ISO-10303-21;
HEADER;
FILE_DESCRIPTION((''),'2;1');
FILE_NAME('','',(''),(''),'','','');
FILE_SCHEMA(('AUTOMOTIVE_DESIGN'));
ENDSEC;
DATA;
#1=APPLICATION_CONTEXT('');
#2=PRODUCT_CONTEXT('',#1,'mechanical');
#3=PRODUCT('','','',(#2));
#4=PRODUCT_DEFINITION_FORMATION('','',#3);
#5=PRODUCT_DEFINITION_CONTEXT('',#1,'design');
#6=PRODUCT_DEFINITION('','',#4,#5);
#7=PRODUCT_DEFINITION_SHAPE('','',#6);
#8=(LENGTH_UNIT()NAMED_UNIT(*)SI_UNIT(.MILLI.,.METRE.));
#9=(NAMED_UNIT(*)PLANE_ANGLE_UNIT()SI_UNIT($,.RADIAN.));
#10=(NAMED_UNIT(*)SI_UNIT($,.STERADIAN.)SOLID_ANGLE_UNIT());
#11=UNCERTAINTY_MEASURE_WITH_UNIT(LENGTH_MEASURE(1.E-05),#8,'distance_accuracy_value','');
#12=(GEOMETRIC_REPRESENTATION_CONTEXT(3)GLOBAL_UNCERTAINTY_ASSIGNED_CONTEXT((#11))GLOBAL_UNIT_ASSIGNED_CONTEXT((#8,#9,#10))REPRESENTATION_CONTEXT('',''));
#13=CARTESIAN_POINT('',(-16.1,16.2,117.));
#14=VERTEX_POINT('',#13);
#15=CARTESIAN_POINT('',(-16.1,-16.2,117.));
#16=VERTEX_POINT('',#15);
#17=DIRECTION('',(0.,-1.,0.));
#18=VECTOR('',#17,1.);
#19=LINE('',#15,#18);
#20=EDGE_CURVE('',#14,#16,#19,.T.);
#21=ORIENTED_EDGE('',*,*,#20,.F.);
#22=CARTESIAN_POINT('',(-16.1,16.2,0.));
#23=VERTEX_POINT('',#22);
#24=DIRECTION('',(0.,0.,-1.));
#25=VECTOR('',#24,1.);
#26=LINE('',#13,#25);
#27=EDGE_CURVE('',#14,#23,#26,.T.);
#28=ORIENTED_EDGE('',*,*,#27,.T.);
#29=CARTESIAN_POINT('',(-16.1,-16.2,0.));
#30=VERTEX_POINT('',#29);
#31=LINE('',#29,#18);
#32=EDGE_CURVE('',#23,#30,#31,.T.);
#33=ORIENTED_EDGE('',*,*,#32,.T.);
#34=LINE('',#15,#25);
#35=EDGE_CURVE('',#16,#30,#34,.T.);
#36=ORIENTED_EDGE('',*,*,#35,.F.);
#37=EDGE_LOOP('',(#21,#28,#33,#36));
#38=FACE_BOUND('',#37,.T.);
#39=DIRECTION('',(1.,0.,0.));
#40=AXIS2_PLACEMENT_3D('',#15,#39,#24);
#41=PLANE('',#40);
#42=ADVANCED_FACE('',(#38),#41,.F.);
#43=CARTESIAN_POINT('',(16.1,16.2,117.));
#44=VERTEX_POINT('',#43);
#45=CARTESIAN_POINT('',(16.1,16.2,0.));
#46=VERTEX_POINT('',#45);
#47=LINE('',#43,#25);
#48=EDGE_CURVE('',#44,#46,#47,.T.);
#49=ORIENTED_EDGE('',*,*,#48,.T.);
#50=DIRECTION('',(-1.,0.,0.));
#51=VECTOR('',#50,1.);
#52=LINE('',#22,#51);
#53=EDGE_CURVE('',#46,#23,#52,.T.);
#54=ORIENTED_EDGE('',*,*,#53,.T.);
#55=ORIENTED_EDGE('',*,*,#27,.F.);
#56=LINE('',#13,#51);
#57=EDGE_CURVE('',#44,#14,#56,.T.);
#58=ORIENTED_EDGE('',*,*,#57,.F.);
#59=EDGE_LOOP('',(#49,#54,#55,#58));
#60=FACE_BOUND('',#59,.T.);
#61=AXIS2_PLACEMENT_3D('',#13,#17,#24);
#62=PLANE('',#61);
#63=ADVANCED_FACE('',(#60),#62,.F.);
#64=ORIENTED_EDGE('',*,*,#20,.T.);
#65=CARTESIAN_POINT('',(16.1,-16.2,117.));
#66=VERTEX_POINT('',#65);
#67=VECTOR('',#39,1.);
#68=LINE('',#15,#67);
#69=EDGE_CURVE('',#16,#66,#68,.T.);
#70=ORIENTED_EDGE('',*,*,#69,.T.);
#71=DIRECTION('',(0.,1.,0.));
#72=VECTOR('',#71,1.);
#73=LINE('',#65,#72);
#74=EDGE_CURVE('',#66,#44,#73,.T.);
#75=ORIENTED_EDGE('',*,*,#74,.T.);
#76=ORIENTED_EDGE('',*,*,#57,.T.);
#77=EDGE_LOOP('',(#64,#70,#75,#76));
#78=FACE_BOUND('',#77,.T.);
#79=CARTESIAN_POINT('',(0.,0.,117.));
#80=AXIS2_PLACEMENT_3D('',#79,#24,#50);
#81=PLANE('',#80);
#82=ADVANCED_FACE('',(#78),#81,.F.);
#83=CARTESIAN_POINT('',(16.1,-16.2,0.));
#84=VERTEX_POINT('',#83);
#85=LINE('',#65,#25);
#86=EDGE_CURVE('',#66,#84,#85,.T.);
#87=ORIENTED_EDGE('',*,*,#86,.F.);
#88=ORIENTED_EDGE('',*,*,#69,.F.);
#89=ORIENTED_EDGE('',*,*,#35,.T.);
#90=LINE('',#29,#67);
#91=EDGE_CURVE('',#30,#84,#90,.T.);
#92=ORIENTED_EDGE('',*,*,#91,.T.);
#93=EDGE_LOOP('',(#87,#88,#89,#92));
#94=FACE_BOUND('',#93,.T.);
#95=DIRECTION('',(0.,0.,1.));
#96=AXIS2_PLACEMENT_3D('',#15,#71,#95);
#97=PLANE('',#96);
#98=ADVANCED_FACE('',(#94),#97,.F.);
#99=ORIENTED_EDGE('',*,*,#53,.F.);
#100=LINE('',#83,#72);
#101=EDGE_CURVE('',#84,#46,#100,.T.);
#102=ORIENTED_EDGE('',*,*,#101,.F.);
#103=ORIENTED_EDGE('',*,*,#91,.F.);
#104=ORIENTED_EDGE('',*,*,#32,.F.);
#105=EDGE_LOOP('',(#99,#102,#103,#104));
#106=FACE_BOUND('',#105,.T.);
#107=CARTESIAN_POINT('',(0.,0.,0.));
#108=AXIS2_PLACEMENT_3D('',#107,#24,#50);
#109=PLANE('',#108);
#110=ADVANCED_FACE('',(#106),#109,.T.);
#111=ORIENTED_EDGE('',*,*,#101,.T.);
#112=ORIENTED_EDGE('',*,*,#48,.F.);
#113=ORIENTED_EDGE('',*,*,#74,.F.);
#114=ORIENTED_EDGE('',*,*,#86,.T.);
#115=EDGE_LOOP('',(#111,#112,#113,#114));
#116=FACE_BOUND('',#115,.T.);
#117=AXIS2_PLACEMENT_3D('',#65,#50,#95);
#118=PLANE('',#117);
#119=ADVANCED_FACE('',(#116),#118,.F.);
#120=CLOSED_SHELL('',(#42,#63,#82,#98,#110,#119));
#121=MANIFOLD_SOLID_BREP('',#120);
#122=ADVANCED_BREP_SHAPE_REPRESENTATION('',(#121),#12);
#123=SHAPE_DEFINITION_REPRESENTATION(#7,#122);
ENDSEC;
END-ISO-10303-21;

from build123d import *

# Parameters (mm, degrees)
SKETCH2_W           = 32.2
SKETCH2_H           = 32.4
BOSS_EXTRUDE1_DEPTH = 117


with BuildPart() as part:
    # Sketch2 → Boss-Extrude1 (new body)
    with BuildSketch(Plane.XY):
        Rectangle(SKETCH2_W, SKETCH2_H)
    extrude(amount=BOSS_EXTRUDE1_DEPTH)


solid = part.part
